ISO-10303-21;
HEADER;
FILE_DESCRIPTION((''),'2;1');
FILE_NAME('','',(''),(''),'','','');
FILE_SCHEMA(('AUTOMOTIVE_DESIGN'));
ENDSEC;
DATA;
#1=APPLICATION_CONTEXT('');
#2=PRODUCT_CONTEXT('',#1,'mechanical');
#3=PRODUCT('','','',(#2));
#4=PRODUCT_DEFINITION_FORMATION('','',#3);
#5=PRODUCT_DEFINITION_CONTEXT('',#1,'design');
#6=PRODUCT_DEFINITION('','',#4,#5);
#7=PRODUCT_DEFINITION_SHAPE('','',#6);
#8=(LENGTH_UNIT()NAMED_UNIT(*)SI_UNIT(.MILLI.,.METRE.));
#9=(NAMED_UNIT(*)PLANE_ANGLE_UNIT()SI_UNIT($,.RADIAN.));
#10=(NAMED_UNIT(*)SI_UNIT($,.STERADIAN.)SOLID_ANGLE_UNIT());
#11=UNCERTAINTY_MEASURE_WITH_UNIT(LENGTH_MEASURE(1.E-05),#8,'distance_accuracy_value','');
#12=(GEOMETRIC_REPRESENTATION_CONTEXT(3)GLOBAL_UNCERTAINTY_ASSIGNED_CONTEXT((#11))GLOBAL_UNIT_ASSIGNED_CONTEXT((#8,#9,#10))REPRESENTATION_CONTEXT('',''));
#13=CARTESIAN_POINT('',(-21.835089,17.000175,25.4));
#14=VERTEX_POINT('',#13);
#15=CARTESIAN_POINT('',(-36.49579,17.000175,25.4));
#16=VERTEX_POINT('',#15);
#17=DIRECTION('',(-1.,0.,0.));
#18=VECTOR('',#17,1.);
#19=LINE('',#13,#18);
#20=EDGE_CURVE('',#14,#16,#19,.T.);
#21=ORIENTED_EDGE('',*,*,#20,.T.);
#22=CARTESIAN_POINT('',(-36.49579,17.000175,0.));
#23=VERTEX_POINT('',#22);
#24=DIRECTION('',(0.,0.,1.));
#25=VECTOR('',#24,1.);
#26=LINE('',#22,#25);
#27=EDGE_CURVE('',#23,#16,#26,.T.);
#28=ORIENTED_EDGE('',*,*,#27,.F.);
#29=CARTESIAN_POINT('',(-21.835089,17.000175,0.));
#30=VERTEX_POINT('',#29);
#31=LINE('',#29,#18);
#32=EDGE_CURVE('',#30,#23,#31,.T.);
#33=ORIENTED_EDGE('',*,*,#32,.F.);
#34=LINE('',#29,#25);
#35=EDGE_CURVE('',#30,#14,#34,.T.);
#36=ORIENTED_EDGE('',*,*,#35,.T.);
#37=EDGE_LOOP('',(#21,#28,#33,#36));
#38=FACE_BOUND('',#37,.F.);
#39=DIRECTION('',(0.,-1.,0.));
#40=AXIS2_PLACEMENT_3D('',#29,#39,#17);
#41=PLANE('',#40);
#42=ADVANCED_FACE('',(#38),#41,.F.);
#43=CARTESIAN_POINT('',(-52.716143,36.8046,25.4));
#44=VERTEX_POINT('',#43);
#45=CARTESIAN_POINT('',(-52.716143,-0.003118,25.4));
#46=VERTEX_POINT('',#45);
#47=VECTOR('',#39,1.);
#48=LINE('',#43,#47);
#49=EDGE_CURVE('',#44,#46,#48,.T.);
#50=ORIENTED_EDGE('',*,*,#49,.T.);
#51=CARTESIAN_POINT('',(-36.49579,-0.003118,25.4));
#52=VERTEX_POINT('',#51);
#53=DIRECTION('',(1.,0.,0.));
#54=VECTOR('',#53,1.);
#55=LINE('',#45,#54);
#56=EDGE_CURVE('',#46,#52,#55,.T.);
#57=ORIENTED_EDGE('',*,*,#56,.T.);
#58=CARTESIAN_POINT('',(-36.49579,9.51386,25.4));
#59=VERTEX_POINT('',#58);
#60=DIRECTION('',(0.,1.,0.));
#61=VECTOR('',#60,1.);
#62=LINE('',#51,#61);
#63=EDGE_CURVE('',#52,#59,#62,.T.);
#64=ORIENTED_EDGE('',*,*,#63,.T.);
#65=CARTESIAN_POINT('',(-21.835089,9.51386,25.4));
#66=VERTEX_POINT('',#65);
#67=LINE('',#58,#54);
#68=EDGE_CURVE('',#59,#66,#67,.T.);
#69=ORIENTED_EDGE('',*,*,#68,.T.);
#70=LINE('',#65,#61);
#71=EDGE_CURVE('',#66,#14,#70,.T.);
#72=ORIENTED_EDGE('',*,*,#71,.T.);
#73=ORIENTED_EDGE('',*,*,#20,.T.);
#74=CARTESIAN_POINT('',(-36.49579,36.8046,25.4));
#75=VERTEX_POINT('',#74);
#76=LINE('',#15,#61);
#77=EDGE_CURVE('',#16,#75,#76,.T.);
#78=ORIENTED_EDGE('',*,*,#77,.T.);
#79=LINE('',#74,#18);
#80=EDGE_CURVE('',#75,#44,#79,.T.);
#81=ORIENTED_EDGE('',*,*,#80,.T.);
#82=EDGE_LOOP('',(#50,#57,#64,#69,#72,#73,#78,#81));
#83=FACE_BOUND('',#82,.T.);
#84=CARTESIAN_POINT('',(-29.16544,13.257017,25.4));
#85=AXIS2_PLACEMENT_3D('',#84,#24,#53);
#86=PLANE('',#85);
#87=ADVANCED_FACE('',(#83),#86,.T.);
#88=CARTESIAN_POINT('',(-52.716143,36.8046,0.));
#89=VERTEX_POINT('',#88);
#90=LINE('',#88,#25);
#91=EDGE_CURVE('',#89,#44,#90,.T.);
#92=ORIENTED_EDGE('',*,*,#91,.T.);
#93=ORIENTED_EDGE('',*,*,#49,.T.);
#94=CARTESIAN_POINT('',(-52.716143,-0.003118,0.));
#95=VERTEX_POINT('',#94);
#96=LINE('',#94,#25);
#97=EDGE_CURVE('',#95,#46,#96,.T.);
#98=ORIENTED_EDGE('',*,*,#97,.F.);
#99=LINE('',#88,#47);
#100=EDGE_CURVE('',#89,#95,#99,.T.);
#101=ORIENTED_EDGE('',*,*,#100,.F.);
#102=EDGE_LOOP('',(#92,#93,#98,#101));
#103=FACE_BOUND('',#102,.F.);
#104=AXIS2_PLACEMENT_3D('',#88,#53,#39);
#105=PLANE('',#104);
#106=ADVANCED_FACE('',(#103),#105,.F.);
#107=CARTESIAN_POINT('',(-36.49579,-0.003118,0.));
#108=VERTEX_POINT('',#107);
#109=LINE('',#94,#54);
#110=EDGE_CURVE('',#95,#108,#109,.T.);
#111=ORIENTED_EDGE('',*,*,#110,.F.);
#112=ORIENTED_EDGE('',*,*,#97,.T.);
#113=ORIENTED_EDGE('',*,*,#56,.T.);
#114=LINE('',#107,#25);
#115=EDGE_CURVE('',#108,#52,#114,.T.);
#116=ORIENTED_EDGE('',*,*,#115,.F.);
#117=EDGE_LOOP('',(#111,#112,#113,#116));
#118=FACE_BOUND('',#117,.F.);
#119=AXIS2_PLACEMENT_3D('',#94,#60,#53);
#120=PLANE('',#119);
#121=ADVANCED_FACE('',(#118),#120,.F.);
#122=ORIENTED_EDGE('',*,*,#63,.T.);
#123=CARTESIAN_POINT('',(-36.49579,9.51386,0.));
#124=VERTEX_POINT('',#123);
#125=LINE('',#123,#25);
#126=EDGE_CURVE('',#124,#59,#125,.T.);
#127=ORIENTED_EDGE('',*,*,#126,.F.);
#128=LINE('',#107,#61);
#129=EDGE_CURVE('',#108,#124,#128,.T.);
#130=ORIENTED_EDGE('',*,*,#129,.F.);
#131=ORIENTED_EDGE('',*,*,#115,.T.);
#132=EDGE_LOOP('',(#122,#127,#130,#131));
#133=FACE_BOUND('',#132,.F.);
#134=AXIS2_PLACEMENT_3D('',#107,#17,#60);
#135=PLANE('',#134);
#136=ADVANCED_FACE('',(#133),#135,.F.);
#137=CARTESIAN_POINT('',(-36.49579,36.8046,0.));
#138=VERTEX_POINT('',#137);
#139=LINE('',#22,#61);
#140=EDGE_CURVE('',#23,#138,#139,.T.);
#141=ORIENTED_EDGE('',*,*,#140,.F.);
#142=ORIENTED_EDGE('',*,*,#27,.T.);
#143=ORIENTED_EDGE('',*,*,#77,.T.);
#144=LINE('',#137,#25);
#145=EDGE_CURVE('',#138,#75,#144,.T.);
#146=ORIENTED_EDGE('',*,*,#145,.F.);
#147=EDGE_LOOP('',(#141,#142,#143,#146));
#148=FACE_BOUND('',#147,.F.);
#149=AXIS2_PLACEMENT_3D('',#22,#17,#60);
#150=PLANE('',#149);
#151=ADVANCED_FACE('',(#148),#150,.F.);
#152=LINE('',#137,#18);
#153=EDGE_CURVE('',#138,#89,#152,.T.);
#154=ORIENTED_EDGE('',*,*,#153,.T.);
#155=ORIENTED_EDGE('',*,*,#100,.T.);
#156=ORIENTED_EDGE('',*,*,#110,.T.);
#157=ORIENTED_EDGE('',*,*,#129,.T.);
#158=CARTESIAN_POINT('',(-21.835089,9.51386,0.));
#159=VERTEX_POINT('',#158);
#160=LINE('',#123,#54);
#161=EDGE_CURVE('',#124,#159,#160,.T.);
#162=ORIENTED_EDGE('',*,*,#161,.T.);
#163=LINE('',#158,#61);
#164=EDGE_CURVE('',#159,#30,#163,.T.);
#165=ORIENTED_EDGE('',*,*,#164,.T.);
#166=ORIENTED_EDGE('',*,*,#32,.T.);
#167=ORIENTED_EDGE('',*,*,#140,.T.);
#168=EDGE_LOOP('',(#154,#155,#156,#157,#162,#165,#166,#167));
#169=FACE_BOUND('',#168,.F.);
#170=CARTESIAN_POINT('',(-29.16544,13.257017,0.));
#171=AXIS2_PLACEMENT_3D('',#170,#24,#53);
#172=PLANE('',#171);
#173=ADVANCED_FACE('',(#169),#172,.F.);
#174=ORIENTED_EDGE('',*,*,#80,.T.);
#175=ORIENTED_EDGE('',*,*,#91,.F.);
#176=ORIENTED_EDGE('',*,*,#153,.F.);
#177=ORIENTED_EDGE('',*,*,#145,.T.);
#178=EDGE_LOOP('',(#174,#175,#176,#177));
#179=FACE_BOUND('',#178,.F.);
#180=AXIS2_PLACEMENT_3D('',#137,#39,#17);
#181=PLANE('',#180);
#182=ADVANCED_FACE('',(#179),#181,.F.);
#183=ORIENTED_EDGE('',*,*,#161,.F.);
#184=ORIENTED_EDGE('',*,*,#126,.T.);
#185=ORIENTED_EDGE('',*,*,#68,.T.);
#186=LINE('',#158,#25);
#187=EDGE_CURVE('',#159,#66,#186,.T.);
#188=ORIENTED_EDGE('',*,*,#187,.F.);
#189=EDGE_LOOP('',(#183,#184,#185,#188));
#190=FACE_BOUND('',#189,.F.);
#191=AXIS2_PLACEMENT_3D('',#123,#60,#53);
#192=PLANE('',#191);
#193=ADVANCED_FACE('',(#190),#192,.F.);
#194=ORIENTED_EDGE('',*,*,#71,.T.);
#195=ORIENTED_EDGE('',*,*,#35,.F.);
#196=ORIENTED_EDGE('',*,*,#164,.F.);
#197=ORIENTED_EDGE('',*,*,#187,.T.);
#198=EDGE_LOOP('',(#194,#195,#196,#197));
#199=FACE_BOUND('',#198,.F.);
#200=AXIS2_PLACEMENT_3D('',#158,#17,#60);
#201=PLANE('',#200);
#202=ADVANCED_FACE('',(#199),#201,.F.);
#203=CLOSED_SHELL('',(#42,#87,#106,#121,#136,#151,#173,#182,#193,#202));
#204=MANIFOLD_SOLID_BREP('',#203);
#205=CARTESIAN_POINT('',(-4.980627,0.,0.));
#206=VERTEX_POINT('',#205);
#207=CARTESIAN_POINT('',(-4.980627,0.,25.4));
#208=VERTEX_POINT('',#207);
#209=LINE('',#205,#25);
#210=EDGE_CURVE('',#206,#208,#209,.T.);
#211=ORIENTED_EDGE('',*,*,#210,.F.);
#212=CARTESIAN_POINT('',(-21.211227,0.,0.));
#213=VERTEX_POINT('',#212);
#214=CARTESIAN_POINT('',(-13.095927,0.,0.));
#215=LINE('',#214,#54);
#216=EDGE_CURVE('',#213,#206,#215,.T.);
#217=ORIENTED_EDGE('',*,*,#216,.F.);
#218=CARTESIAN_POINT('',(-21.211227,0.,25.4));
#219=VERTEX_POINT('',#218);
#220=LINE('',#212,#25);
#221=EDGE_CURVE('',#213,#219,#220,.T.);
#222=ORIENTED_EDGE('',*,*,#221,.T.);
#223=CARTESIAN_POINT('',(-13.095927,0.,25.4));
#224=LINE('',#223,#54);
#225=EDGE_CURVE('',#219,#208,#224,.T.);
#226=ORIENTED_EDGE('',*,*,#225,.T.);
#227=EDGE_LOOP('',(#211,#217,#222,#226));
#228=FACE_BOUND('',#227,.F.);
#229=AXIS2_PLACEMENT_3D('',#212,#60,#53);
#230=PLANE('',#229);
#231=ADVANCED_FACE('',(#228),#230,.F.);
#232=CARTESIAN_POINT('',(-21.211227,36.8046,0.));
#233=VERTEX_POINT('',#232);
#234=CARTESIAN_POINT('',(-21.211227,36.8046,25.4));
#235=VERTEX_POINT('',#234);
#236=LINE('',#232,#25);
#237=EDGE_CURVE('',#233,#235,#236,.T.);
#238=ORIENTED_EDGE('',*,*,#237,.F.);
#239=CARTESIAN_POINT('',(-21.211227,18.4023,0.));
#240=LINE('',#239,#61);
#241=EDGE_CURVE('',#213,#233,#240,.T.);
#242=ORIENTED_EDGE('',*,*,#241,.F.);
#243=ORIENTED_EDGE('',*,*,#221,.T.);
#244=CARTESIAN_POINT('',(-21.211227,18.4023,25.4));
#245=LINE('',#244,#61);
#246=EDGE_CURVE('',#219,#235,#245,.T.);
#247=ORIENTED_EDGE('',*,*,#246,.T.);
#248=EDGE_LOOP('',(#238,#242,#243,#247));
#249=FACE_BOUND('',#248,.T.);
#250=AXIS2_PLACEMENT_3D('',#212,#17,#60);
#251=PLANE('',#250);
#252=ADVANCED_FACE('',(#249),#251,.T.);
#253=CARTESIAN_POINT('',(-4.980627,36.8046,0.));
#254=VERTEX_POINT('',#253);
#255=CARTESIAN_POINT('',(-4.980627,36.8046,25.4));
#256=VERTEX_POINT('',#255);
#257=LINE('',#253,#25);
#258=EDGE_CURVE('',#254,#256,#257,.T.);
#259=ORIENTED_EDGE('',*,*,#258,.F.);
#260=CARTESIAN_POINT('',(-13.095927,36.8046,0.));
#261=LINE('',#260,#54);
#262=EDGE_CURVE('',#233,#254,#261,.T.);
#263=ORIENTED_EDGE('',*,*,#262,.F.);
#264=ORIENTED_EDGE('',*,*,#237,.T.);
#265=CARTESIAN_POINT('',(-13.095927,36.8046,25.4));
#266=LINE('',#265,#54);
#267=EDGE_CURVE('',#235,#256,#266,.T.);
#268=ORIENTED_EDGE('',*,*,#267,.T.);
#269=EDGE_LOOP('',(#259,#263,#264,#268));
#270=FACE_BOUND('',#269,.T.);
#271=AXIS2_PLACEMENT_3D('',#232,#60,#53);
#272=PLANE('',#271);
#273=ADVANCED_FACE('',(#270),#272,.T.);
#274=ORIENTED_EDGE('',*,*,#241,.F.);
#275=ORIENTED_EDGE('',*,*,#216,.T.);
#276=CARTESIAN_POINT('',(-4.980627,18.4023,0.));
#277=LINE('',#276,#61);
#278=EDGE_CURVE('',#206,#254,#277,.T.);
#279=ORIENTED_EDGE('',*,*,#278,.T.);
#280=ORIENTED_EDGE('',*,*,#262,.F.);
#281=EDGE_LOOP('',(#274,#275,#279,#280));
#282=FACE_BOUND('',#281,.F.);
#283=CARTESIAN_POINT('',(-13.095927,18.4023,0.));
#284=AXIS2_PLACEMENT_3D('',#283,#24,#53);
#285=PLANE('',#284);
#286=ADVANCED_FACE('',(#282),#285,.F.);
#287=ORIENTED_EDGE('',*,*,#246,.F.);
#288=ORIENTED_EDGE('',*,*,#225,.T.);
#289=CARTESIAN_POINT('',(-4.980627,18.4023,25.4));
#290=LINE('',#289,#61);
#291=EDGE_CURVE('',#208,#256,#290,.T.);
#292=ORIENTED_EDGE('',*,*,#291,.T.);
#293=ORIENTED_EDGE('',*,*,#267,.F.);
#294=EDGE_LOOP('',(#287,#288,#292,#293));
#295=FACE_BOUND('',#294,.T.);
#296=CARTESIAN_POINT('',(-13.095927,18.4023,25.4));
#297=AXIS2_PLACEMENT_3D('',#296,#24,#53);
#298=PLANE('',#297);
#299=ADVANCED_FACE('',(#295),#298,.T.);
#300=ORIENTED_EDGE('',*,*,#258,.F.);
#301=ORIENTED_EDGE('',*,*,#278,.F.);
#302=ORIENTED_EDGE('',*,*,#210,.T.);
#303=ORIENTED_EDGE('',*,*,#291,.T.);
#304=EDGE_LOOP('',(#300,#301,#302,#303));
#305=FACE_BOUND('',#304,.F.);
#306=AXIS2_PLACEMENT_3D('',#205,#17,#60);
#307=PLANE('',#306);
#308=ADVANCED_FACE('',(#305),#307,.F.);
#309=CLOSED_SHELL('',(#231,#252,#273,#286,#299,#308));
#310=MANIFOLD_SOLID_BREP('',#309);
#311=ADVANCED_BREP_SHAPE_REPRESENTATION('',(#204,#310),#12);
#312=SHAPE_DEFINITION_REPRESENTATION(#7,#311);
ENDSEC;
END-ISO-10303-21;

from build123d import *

# Parameters (mm, degrees)
F0_W     = 16.2306
F0_H     = 36.8046
F1_DEPTH = 25.4


with BuildPart() as f1:
    # F0 (on Top) → F1 (new body)
    with BuildSketch(Plane.XY):
        Polygon((-36.49579, 12.009297), (-36.49579, 9.51386), (-21.835089, 9.51386), (-21.835089, 17.000175), (-36.49579, 17.000175), align=None)
        with Locations((-13.095927, 18.4023)):
            Rectangle(F0_W, F0_H)
        Polygon((-52.716143, -0.003118), (-36.49579, -0.003118), (-36.49579, 9.51386), (-36.49579, 12.009297), (-36.49579, 17.000175), (-36.49579, 21.991052), (-36.49579, 36.8046), (-52.716143, 36.8046), align=None)
    extrude(amount=F1_DEPTH)


solid = f1.part
